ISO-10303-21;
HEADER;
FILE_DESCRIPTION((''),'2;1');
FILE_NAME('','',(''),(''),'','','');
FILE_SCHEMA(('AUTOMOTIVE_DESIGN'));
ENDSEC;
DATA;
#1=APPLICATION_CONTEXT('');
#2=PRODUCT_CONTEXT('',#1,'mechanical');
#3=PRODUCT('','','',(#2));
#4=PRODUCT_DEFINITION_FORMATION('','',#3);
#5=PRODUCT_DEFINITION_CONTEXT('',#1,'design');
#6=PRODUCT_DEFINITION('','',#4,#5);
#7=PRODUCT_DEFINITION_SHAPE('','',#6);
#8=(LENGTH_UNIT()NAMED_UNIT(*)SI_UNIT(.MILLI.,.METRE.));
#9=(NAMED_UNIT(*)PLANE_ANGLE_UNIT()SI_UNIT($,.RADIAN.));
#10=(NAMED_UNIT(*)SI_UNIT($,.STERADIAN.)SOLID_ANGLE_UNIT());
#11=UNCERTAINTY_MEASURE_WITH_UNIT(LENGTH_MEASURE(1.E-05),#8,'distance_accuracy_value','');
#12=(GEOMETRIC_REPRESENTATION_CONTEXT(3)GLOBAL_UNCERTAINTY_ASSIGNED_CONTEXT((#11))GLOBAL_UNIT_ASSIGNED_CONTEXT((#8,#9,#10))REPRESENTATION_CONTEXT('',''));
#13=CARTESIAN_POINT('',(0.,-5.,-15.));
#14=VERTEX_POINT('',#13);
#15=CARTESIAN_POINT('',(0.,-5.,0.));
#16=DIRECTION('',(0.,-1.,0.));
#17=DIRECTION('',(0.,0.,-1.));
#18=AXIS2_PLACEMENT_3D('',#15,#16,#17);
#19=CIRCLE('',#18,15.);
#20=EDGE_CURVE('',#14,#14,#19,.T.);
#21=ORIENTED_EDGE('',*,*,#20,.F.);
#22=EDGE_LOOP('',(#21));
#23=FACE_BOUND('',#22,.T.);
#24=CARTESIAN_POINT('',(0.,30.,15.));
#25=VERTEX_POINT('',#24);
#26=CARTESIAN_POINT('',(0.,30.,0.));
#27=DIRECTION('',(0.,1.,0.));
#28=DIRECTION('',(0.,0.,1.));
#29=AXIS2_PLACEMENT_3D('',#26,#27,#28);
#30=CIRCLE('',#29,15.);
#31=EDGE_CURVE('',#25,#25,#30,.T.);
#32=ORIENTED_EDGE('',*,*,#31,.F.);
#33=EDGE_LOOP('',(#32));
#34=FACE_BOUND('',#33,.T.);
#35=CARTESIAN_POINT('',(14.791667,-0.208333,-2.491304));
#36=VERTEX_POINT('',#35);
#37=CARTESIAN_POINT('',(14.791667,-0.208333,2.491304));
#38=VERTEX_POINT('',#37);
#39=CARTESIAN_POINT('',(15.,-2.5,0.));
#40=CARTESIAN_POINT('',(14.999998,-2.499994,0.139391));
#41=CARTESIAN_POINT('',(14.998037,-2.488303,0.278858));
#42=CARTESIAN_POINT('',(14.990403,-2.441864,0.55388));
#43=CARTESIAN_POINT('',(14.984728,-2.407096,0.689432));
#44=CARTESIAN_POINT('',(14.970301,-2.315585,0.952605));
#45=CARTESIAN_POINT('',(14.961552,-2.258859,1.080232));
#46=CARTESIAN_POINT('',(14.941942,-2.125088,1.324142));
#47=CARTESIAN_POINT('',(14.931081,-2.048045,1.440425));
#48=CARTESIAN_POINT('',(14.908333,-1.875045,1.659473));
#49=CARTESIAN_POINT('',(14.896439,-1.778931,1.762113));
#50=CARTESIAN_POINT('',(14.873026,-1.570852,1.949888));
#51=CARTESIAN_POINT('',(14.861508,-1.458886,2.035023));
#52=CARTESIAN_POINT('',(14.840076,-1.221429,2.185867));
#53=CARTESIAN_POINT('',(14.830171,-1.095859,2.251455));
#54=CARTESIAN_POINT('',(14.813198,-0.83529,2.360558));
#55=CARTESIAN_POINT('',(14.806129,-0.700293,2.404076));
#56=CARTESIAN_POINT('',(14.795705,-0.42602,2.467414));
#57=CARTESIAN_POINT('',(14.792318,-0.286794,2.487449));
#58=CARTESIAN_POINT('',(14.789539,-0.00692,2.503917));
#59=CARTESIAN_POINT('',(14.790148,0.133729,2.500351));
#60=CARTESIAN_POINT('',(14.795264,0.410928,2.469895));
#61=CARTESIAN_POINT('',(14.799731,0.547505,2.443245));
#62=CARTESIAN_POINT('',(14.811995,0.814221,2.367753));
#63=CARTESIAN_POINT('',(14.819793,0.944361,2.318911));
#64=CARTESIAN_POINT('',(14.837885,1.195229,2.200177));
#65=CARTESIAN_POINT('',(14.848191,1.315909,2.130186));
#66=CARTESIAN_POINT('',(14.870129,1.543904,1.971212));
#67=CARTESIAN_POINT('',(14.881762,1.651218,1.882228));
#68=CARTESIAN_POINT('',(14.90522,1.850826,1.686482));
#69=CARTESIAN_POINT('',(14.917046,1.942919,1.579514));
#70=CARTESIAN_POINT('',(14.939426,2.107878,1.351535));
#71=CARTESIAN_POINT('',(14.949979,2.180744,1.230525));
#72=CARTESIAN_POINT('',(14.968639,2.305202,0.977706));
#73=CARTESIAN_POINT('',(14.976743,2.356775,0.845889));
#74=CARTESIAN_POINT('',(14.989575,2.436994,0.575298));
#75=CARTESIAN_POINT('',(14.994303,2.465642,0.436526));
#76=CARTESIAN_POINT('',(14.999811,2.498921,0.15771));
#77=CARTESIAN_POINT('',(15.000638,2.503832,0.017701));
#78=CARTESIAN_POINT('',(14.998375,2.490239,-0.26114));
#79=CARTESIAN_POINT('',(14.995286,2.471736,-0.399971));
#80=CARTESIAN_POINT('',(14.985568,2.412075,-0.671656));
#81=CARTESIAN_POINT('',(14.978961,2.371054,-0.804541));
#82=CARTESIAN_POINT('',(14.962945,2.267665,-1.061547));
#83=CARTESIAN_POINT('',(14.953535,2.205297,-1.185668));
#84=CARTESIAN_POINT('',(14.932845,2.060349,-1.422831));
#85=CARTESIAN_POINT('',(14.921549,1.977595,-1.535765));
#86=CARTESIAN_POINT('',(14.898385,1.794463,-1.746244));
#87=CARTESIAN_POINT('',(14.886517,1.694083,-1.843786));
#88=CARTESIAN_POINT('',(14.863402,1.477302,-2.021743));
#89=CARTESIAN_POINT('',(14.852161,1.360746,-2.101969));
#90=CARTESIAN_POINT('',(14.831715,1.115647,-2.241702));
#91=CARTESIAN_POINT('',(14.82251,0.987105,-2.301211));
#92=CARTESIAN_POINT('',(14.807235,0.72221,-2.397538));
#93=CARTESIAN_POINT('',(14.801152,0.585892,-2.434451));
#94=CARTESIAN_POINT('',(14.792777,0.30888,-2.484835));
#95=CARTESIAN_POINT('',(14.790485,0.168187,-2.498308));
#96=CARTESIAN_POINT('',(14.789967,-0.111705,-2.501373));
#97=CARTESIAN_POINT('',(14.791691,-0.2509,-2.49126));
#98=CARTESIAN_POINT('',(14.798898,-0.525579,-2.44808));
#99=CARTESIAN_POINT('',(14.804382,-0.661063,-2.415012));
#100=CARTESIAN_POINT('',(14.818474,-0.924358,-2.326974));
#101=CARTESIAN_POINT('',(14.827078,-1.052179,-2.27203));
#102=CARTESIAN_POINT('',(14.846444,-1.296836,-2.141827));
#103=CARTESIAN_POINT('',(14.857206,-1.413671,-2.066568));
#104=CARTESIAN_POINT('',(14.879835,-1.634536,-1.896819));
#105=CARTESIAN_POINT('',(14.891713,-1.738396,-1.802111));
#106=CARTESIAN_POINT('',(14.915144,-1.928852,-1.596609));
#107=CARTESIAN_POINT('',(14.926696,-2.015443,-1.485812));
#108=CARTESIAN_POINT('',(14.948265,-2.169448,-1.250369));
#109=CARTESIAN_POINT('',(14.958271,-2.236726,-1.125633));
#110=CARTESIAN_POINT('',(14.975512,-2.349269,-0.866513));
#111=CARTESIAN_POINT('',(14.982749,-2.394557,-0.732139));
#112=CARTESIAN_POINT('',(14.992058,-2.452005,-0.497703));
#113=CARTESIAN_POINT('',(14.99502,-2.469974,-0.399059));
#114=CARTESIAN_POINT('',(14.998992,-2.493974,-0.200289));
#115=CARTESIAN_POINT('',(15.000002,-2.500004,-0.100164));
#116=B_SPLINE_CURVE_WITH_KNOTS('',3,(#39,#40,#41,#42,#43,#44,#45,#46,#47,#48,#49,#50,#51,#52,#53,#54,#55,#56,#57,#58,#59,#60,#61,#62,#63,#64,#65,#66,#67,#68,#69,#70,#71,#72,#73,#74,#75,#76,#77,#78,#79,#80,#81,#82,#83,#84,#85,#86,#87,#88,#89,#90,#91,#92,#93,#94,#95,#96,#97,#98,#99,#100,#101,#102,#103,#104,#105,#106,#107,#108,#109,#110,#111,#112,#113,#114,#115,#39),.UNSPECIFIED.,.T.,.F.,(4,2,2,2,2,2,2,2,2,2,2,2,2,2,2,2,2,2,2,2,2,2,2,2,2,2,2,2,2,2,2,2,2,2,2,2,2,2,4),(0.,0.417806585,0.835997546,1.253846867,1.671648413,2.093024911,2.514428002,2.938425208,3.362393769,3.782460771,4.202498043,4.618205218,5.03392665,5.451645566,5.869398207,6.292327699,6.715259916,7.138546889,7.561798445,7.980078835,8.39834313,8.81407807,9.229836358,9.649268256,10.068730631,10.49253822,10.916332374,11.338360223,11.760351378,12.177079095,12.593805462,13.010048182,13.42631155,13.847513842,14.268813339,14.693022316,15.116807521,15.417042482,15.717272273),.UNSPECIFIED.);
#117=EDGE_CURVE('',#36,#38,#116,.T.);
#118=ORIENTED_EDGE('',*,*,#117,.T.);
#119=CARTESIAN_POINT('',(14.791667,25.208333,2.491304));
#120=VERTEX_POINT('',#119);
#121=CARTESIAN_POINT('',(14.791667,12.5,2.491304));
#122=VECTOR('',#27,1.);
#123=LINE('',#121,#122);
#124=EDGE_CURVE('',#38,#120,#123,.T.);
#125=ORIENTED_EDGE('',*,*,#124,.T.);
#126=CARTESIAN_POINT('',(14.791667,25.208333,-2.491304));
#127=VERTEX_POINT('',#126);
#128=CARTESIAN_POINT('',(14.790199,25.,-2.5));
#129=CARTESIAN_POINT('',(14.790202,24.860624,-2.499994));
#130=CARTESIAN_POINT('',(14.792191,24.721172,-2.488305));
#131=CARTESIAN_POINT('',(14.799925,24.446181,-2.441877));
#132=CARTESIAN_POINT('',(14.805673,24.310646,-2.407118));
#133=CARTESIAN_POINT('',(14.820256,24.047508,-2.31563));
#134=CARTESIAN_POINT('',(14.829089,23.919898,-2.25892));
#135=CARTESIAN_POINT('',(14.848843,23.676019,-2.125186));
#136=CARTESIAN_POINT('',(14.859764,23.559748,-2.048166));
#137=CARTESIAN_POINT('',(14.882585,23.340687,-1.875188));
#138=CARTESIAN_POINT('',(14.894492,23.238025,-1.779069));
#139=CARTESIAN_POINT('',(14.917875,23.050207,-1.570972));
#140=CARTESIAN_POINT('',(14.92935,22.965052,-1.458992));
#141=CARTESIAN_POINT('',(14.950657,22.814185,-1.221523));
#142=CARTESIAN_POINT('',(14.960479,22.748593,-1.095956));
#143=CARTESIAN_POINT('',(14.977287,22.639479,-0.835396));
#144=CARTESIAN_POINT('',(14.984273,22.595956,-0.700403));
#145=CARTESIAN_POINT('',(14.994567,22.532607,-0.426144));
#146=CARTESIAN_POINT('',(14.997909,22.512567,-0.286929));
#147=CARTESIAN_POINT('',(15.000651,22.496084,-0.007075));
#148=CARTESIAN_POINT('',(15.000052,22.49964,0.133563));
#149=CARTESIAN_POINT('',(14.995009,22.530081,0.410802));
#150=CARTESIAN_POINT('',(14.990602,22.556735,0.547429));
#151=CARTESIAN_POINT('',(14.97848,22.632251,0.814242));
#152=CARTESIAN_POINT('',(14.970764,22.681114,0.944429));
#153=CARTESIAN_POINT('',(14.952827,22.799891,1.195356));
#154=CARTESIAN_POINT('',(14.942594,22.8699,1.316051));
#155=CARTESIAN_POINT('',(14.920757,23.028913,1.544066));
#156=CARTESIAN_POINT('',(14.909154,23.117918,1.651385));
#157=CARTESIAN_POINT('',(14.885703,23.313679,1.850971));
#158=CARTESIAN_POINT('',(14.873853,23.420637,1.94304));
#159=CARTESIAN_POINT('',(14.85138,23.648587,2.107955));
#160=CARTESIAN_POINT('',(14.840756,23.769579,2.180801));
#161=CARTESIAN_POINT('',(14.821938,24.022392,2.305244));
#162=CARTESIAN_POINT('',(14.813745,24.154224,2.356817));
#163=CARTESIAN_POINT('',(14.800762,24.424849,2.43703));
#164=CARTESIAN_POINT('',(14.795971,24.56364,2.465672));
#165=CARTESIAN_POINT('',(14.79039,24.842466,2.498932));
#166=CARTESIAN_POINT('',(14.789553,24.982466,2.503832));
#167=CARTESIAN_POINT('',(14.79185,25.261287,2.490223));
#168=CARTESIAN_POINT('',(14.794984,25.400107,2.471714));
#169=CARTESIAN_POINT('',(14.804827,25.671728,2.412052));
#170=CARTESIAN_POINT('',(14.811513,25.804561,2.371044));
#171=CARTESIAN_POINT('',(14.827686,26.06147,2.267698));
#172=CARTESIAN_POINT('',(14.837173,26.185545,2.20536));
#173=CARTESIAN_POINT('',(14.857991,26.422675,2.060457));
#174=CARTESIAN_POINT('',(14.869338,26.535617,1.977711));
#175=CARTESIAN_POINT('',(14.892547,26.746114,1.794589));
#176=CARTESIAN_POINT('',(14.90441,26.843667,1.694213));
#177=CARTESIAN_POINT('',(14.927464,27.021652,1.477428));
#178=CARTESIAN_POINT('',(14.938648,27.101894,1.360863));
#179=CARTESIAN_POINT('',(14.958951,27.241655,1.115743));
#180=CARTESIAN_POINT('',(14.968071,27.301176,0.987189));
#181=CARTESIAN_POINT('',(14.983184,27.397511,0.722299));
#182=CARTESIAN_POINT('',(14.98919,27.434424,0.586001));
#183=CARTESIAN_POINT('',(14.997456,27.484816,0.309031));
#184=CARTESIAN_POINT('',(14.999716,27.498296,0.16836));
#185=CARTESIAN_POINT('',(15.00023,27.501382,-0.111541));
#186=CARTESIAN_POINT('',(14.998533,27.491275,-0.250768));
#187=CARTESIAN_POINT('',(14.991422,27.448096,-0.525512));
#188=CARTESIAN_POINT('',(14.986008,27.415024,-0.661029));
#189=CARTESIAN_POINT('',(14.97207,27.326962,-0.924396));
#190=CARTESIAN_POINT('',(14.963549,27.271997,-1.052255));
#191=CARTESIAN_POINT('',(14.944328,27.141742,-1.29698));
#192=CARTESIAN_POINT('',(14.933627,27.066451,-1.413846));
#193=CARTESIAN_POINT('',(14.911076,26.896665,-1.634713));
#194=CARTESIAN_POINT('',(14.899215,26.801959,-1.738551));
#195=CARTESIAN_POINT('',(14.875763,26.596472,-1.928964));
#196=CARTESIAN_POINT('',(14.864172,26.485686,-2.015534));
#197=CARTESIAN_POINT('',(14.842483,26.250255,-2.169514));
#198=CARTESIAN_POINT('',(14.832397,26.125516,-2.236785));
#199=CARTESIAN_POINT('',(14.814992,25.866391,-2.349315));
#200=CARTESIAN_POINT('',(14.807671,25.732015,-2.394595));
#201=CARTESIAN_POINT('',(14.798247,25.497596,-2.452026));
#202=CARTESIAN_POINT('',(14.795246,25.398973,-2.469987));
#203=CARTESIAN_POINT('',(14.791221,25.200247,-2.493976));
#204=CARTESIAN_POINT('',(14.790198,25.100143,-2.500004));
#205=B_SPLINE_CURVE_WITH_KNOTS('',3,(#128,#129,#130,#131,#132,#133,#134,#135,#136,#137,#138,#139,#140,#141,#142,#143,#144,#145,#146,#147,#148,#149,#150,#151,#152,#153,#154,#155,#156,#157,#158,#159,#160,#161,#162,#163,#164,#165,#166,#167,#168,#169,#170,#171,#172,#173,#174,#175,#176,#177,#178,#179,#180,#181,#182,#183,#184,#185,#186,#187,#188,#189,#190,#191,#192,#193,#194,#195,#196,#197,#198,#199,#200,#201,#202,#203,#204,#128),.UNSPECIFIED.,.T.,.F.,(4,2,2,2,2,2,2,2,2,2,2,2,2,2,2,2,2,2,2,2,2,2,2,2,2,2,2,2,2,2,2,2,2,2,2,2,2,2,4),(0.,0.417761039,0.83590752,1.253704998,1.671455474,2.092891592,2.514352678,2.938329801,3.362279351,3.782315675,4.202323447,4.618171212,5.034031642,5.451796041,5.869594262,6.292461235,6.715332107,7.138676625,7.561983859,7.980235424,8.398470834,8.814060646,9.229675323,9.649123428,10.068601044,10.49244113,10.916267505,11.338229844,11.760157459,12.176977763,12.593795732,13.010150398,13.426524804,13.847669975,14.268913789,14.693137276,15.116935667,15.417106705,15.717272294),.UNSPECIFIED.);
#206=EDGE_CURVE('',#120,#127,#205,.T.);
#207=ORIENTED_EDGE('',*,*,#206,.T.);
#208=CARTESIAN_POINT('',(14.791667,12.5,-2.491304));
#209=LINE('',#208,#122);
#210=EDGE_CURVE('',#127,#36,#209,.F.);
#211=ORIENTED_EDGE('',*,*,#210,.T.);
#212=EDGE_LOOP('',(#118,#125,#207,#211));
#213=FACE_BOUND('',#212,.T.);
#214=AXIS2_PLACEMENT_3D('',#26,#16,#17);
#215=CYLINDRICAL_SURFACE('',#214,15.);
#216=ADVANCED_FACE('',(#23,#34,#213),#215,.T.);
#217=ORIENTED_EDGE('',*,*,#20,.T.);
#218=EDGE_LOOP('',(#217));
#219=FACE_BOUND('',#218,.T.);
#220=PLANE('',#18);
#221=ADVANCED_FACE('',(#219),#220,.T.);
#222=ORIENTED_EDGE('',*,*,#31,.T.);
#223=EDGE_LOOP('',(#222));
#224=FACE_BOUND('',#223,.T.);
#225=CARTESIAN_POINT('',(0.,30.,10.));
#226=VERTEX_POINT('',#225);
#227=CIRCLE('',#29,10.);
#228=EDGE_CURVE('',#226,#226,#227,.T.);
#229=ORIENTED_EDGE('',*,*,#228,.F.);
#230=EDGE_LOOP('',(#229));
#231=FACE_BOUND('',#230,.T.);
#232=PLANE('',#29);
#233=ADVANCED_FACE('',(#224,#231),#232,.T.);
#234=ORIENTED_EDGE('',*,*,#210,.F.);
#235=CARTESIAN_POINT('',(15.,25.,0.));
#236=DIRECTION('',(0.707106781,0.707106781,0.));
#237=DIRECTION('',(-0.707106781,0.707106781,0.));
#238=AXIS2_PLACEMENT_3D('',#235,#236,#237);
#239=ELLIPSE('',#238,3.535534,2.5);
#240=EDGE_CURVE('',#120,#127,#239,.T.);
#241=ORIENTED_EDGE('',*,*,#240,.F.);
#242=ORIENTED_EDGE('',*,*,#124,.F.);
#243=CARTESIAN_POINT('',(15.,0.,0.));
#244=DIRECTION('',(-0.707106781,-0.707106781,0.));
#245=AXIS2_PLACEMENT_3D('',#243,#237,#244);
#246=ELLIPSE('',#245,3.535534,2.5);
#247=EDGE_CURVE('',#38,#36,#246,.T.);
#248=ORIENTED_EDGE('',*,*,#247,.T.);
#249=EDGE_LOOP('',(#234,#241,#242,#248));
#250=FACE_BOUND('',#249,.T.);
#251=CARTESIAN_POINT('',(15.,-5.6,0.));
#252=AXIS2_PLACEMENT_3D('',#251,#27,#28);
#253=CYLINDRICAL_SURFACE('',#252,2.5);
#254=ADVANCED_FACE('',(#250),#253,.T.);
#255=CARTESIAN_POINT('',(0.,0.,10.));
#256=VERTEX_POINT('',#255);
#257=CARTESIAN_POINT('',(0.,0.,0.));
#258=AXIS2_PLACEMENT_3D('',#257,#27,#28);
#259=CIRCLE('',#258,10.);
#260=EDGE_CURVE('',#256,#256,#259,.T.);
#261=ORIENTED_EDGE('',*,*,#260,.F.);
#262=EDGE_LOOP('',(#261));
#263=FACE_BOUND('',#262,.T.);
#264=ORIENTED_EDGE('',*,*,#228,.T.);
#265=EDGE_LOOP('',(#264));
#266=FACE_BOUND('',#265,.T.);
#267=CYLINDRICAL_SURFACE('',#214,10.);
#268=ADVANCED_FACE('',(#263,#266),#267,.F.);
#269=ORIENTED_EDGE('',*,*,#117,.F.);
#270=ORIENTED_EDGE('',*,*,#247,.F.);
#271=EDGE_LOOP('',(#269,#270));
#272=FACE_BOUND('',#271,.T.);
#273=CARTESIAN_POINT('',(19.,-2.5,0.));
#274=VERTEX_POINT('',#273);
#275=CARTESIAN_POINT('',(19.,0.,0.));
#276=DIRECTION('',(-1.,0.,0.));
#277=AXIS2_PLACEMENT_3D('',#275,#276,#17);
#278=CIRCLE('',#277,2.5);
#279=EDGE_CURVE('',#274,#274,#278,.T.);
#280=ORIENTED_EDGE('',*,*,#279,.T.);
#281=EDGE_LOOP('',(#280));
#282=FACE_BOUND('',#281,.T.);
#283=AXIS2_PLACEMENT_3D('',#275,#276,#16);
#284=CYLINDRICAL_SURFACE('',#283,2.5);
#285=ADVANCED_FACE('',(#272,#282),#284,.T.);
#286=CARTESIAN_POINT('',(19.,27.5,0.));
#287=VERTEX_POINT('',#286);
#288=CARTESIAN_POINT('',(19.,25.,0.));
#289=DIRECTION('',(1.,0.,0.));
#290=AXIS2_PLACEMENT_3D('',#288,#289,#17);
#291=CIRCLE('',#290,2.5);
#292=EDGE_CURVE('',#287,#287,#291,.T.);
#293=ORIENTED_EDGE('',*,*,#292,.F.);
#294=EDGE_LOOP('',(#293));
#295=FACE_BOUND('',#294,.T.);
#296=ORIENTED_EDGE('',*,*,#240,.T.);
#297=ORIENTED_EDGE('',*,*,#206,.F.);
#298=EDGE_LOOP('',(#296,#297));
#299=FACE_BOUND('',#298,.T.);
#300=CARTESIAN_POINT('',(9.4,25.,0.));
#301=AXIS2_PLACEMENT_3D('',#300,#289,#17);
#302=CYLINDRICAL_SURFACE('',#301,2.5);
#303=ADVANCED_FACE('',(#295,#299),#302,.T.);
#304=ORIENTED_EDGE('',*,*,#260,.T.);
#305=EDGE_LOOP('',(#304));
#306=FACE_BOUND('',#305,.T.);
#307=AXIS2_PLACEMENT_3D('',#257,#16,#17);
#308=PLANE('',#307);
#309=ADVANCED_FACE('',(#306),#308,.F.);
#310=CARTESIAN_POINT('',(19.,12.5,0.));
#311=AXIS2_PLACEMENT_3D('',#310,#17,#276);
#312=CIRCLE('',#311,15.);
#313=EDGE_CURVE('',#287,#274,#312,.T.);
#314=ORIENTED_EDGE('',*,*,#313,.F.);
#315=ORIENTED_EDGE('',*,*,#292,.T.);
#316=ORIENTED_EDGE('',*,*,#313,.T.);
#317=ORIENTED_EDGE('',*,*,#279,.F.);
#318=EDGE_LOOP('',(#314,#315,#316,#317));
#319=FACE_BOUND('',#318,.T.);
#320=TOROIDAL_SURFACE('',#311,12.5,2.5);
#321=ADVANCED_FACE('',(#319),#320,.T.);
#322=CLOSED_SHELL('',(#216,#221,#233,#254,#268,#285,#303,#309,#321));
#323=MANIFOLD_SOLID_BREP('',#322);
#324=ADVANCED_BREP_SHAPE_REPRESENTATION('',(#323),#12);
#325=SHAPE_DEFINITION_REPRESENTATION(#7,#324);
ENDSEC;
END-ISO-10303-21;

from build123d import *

# Parameters (mm, degrees)
SKETCH1_R           = 15
SKETCH1_R_2         = 10
BOSS_EXTRUDE1_DEPTH = 30
SKETCH2_R           = 15
BOSS_EXTRUDE2_DEPTH = 5
SKETCH7_R           = 2.5


with BuildPart() as part:
    # Sketch1 → Boss-Extrude1 (new body)
    with BuildSketch(Plane(origin=(0, 0, 0), x_dir=(1, 0, 0), z_dir=(0, 1, 0))):
        with Locations(Location((0, 0, 0), (0, 0, 270))):  # turned: the seam where the file's is
            Circle(SKETCH1_R)
        with Locations(Location((0, 0, 0), (0, 0, 270))):  # turned: the seam where the file's is
            Circle(SKETCH1_R_2, mode=Mode.SUBTRACT)
    extrude(amount=BOSS_EXTRUDE1_DEPTH)

    # Sketch2 → Boss-Extrude2 (add)
    with BuildSketch(Plane.XZ):
        with Locations(Location((0, 0, 0), (0, 0, 270))):  # turned: the seam where the file's is
            Circle(SKETCH2_R)
    extrude(amount=BOSS_EXTRUDE2_DEPTH)

    # Sweep6: sweep along a path in Sketch3
    with BuildLine(Plane.XY) as sweep6_path:
        Line((15, 25), (19, 25))
        ThreePointArc((19, 25), (31.5, 12.5), (19, 0))
        Line((19, 0), (15, 0))
        Line((15, 0), (15, 25))
    # Sketch7 → Sweep6 (sweep)
    with BuildSketch(Plane(origin=(15, 0, 0), x_dir=(0, 0, -1), z_dir=(1, 0, 0))):
        with Locations((0, 25)):
            Circle(SKETCH7_R)
    sweep(path=sweep6_path.line, transition=Transition.RIGHT)


solid = part.part
